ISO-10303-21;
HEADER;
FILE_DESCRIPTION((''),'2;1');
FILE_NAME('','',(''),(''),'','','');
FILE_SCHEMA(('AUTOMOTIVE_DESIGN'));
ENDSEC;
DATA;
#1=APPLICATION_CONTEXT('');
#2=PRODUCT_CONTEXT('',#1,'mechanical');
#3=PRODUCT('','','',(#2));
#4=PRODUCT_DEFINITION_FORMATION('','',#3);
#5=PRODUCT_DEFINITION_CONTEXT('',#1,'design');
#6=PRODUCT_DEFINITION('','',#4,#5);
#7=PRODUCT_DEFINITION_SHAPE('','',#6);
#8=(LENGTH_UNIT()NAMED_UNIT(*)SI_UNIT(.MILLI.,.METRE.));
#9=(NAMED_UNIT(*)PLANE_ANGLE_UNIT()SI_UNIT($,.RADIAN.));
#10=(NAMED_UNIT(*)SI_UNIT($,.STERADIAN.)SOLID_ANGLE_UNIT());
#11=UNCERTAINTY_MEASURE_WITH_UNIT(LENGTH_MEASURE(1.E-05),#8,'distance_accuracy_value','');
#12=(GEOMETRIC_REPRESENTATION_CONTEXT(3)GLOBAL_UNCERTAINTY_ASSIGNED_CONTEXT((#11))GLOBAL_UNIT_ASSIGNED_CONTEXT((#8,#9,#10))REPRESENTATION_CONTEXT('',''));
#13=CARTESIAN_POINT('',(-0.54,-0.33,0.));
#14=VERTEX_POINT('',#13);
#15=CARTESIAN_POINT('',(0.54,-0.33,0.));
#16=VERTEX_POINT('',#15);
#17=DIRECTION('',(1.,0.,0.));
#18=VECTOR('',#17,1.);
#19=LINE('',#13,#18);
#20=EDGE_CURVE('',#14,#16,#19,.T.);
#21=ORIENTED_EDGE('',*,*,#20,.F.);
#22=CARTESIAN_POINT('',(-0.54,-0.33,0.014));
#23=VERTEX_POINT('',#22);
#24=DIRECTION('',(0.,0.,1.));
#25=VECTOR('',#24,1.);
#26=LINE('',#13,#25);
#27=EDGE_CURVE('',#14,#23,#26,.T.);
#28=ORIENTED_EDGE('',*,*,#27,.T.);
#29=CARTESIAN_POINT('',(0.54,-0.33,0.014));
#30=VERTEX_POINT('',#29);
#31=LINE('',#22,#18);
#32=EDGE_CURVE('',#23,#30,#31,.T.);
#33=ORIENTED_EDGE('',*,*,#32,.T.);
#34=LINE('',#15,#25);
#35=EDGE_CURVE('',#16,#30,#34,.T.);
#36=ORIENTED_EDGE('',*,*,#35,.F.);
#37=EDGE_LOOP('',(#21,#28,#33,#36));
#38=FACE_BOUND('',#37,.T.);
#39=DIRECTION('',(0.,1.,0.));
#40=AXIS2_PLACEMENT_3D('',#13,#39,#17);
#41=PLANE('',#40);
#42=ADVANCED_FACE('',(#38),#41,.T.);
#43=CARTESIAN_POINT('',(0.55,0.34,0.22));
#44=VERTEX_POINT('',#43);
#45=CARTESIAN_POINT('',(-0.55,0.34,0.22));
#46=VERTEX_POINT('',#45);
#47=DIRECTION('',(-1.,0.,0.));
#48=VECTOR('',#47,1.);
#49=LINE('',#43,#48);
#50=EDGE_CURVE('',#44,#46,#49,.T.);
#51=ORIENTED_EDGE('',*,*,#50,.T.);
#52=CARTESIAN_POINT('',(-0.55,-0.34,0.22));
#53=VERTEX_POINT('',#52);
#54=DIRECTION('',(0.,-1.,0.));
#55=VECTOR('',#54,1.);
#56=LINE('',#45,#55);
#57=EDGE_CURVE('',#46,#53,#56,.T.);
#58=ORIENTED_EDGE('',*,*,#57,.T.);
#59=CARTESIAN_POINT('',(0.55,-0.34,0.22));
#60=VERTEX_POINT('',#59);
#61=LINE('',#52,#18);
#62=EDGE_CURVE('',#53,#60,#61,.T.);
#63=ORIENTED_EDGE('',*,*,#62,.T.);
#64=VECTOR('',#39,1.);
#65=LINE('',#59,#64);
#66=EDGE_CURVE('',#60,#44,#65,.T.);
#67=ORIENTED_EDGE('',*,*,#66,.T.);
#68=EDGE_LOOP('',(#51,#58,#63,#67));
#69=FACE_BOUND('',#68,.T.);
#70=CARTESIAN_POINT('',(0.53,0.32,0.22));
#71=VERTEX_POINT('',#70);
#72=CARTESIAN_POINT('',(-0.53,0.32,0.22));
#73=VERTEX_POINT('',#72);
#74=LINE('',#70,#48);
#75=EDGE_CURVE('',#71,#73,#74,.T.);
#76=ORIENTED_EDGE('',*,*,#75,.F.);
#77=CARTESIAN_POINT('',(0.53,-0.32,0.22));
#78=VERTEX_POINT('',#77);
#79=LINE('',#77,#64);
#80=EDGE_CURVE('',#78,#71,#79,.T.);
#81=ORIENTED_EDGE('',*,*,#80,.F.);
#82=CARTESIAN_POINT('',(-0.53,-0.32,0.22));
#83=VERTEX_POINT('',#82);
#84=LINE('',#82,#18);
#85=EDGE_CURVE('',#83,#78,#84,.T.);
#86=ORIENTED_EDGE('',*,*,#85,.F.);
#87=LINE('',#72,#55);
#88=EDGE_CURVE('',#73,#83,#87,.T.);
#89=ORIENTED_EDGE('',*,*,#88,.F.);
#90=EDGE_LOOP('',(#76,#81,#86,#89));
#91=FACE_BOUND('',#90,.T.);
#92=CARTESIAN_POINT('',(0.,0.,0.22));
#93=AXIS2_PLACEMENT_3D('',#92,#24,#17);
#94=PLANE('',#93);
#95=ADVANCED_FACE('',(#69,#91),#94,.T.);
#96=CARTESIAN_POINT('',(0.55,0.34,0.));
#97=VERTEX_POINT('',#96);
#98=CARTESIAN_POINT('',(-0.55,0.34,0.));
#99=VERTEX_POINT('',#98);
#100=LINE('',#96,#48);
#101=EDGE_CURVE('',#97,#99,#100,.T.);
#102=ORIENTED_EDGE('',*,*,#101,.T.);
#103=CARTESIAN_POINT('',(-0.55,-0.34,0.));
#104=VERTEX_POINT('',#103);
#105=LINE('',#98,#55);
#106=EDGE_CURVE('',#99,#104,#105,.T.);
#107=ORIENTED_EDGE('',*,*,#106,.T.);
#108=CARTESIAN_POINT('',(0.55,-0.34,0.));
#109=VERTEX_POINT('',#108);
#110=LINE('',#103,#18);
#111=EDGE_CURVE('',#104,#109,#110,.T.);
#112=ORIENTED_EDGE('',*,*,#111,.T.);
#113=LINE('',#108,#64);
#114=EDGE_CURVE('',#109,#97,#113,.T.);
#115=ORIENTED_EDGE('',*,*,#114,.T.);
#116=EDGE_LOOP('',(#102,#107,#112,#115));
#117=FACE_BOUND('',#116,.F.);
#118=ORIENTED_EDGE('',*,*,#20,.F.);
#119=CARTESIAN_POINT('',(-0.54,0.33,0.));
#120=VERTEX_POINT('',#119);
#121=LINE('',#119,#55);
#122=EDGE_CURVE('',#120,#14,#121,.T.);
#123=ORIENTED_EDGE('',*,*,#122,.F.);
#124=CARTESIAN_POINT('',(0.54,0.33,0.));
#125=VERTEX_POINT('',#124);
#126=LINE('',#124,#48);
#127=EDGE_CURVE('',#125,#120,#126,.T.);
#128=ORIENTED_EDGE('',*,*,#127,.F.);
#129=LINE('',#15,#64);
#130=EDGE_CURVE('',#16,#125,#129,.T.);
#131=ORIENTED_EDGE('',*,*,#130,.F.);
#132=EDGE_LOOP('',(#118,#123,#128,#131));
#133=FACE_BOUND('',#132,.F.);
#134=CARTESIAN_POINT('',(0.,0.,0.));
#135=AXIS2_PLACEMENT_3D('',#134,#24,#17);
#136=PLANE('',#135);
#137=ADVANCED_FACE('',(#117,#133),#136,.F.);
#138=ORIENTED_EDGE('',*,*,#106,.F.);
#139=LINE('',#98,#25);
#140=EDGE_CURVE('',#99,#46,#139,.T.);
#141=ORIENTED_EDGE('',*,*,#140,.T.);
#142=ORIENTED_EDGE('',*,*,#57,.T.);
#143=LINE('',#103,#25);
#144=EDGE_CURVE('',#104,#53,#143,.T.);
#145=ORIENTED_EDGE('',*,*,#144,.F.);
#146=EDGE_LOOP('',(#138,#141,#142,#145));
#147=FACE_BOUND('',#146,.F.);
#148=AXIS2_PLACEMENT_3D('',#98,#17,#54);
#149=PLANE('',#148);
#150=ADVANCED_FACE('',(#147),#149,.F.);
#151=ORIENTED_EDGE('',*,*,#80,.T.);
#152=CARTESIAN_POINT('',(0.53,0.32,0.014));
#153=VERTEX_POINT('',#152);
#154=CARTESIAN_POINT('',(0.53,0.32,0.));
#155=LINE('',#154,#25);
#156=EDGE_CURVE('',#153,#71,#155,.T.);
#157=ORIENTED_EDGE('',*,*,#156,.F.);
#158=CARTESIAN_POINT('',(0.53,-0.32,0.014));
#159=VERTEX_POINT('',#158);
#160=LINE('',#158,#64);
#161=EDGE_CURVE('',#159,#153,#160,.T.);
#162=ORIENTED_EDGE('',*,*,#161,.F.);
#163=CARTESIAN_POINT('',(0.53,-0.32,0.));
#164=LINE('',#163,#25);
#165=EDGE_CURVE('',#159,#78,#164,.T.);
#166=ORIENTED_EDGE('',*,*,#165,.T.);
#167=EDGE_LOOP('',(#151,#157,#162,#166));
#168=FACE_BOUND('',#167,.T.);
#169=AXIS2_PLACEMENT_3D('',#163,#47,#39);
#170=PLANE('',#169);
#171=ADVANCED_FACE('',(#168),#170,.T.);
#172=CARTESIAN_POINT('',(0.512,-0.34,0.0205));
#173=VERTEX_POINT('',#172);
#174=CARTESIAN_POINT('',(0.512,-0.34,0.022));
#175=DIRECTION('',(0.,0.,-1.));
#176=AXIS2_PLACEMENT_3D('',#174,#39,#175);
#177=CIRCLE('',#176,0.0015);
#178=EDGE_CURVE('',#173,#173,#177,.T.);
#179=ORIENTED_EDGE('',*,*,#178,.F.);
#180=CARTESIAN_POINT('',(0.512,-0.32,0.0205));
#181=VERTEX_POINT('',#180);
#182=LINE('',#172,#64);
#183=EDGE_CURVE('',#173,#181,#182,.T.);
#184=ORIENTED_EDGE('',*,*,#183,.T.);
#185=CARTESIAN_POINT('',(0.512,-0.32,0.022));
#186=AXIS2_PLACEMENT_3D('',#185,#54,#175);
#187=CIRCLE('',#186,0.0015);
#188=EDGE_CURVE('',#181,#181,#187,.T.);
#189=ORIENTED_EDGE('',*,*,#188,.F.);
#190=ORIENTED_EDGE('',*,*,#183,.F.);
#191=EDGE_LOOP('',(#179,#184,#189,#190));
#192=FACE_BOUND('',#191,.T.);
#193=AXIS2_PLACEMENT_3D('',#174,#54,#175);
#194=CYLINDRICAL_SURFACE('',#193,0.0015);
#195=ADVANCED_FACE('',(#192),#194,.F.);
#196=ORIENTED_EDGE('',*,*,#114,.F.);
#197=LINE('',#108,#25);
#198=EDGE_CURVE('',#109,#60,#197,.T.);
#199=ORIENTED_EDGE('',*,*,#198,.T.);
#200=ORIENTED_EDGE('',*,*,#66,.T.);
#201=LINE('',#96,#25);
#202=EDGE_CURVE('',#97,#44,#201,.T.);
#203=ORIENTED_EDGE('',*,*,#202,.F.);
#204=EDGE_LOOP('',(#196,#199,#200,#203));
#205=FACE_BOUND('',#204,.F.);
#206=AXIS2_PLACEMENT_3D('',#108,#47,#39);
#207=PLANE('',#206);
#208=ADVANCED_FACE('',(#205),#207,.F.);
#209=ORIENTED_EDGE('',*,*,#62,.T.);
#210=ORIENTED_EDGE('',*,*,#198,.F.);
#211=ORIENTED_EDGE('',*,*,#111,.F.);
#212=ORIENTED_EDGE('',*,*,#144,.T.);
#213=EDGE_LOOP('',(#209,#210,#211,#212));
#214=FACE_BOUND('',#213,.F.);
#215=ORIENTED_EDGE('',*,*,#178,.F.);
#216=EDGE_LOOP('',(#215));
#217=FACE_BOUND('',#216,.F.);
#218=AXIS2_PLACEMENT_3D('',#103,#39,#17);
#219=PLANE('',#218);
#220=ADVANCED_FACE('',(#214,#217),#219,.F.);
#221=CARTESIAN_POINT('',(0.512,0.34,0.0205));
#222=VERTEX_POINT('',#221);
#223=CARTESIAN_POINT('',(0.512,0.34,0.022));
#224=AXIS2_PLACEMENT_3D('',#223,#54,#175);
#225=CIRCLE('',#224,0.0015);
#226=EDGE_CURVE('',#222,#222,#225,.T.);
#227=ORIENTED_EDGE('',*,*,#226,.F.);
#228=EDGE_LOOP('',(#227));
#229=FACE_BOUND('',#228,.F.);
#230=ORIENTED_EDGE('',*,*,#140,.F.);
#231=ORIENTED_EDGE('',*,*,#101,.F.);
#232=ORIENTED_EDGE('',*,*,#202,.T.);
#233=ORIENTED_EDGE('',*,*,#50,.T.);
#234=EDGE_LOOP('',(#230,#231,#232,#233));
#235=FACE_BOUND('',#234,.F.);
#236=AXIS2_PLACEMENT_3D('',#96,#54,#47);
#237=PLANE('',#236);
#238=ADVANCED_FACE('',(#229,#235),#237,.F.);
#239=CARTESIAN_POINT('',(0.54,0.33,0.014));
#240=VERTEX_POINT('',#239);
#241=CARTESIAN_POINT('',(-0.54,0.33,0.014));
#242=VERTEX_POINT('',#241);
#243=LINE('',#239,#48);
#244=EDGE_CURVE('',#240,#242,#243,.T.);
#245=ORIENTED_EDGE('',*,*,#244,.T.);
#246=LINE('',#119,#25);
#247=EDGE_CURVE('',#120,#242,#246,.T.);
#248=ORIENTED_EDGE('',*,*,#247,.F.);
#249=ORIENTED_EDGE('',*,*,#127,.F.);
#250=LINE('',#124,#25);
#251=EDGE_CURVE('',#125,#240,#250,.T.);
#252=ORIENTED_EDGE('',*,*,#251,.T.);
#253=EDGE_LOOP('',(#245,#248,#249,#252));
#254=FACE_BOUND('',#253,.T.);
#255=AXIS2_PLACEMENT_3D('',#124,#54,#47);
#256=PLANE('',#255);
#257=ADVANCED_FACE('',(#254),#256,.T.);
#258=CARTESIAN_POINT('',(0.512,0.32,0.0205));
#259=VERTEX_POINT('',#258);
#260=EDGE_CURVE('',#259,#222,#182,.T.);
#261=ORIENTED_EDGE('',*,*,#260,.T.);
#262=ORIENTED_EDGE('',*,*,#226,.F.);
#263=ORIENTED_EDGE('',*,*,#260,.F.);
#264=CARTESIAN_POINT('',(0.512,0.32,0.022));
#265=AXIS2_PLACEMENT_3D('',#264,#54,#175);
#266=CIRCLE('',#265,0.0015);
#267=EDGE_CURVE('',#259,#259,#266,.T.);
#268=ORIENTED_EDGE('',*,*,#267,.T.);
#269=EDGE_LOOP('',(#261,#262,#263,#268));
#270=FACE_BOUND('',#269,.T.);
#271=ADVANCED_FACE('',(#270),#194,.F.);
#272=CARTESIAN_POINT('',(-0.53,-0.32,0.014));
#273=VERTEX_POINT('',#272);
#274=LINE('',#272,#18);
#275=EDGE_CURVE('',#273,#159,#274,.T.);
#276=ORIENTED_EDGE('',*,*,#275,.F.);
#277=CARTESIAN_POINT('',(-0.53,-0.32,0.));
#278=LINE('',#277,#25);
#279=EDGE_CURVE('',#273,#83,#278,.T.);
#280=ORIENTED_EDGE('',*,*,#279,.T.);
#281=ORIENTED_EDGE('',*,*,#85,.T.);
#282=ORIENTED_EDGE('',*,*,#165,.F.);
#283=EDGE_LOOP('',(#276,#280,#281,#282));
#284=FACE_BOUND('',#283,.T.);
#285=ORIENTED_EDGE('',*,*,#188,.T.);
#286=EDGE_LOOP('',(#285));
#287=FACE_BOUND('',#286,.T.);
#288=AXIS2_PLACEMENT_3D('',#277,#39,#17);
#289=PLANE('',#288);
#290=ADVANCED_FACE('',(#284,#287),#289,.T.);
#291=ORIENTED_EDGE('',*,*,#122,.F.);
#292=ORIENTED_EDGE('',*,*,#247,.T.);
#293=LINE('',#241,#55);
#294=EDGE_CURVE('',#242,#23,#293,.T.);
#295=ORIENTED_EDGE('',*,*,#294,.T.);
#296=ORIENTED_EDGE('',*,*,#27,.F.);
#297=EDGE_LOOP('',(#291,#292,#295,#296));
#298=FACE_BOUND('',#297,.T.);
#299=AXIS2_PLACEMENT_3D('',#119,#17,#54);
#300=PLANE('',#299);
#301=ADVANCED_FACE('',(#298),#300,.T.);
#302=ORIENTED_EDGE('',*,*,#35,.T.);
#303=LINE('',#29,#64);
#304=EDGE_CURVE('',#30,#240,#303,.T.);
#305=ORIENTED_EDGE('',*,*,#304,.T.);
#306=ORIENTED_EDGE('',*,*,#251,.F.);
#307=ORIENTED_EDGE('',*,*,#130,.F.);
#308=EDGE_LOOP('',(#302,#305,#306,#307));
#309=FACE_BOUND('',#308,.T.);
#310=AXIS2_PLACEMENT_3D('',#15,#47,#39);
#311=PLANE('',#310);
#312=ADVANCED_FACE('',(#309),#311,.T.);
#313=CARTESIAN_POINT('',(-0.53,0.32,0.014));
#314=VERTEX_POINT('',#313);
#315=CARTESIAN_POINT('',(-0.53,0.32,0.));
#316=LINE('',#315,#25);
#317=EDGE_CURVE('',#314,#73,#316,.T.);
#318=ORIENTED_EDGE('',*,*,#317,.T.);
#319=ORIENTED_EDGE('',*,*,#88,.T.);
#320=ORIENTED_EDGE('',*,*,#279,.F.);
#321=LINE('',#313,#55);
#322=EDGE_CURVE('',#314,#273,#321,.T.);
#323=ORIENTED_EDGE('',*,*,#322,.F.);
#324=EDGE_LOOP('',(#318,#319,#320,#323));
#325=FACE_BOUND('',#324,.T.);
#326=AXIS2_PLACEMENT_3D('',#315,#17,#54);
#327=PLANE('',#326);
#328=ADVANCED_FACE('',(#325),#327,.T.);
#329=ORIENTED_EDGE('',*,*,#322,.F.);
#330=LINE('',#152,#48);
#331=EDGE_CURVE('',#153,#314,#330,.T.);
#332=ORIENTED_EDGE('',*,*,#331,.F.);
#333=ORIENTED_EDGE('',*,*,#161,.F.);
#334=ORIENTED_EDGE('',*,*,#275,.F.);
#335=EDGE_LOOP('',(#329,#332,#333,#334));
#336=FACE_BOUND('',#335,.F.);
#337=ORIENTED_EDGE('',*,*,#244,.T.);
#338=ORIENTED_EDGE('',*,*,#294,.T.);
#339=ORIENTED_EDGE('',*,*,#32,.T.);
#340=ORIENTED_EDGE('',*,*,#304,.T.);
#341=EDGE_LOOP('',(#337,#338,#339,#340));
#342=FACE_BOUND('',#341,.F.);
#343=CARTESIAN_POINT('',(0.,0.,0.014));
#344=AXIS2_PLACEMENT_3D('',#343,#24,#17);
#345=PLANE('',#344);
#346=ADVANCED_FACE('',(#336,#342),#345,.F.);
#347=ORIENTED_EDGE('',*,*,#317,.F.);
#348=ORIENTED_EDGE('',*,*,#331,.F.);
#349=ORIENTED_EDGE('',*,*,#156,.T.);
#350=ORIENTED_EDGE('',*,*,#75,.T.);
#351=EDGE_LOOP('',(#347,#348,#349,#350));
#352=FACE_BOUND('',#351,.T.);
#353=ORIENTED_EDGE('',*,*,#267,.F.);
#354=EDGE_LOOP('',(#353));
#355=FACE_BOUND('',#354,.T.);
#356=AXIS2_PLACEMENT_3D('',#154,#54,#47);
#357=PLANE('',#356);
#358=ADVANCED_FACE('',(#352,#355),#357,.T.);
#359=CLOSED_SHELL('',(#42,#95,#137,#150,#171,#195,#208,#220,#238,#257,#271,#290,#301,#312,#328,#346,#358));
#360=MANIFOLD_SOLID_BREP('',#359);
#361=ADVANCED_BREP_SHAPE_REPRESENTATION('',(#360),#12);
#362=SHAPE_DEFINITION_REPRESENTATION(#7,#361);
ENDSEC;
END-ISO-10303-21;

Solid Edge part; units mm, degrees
sketch "Sketch1" plane through (0, 0, 0) normal (0, 0, 1) x (1, 0, 0)
  line L0 (-0.53, 0.32) -> (-0.53, -0.32)
  line L1 (-0.53, -0.32) -> (0.53, -0.32)
  line L2 (0.53, -0.32) -> (0.53, 0.32)
  line L3 (0.53, 0.32) -> (-0.53, 0.32)
  line L4 (-0.55, -0.34) -> (0.55, -0.34)
  line L5 (0.55, -0.34) -> (0.55, 0.34)
  line L6 (0.55, 0.34) -> (-0.55, 0.34)
  line L7 (-0.55, 0.34) -> (-0.55, -0.34)
  dimension "D1" = 0.55
  dimension "D2" = 0.55
extrude "Protrusion1" add sketch "Sketch1" along normal blind 0.22
sketch "Sketch2" plane through (0, 0, 0) normal (0, 0, -1) x (1, 0, 0)
  line L0 (-0.54, -0.33) -> (-0.54, 0.33)
  line L1 (-0.54, 0.33) -> (0.54, 0.33)
  line L2 (0.54, 0.33) -> (0.54, -0.33)
  line L3 (0.54, -0.33) -> (-0.54, -0.33)
  line L4 (-0.53, 0.32) -> (0.53, 0.32)
  line L5 (0.53, 0.32) -> (0.53, -0.32)
  line L6 (0.53, -0.32) -> (-0.53, -0.32)
  line L7 (-0.53, -0.32) -> (-0.53, 0.32)
extrude "Ausschnitt_1" cut sketch "Sketch2" against normal blind 0.014
hole "Bohrung_1" at (0.512, -0.34, 0.022) direction (0, 1, 0) diameter 0.003 end through all
